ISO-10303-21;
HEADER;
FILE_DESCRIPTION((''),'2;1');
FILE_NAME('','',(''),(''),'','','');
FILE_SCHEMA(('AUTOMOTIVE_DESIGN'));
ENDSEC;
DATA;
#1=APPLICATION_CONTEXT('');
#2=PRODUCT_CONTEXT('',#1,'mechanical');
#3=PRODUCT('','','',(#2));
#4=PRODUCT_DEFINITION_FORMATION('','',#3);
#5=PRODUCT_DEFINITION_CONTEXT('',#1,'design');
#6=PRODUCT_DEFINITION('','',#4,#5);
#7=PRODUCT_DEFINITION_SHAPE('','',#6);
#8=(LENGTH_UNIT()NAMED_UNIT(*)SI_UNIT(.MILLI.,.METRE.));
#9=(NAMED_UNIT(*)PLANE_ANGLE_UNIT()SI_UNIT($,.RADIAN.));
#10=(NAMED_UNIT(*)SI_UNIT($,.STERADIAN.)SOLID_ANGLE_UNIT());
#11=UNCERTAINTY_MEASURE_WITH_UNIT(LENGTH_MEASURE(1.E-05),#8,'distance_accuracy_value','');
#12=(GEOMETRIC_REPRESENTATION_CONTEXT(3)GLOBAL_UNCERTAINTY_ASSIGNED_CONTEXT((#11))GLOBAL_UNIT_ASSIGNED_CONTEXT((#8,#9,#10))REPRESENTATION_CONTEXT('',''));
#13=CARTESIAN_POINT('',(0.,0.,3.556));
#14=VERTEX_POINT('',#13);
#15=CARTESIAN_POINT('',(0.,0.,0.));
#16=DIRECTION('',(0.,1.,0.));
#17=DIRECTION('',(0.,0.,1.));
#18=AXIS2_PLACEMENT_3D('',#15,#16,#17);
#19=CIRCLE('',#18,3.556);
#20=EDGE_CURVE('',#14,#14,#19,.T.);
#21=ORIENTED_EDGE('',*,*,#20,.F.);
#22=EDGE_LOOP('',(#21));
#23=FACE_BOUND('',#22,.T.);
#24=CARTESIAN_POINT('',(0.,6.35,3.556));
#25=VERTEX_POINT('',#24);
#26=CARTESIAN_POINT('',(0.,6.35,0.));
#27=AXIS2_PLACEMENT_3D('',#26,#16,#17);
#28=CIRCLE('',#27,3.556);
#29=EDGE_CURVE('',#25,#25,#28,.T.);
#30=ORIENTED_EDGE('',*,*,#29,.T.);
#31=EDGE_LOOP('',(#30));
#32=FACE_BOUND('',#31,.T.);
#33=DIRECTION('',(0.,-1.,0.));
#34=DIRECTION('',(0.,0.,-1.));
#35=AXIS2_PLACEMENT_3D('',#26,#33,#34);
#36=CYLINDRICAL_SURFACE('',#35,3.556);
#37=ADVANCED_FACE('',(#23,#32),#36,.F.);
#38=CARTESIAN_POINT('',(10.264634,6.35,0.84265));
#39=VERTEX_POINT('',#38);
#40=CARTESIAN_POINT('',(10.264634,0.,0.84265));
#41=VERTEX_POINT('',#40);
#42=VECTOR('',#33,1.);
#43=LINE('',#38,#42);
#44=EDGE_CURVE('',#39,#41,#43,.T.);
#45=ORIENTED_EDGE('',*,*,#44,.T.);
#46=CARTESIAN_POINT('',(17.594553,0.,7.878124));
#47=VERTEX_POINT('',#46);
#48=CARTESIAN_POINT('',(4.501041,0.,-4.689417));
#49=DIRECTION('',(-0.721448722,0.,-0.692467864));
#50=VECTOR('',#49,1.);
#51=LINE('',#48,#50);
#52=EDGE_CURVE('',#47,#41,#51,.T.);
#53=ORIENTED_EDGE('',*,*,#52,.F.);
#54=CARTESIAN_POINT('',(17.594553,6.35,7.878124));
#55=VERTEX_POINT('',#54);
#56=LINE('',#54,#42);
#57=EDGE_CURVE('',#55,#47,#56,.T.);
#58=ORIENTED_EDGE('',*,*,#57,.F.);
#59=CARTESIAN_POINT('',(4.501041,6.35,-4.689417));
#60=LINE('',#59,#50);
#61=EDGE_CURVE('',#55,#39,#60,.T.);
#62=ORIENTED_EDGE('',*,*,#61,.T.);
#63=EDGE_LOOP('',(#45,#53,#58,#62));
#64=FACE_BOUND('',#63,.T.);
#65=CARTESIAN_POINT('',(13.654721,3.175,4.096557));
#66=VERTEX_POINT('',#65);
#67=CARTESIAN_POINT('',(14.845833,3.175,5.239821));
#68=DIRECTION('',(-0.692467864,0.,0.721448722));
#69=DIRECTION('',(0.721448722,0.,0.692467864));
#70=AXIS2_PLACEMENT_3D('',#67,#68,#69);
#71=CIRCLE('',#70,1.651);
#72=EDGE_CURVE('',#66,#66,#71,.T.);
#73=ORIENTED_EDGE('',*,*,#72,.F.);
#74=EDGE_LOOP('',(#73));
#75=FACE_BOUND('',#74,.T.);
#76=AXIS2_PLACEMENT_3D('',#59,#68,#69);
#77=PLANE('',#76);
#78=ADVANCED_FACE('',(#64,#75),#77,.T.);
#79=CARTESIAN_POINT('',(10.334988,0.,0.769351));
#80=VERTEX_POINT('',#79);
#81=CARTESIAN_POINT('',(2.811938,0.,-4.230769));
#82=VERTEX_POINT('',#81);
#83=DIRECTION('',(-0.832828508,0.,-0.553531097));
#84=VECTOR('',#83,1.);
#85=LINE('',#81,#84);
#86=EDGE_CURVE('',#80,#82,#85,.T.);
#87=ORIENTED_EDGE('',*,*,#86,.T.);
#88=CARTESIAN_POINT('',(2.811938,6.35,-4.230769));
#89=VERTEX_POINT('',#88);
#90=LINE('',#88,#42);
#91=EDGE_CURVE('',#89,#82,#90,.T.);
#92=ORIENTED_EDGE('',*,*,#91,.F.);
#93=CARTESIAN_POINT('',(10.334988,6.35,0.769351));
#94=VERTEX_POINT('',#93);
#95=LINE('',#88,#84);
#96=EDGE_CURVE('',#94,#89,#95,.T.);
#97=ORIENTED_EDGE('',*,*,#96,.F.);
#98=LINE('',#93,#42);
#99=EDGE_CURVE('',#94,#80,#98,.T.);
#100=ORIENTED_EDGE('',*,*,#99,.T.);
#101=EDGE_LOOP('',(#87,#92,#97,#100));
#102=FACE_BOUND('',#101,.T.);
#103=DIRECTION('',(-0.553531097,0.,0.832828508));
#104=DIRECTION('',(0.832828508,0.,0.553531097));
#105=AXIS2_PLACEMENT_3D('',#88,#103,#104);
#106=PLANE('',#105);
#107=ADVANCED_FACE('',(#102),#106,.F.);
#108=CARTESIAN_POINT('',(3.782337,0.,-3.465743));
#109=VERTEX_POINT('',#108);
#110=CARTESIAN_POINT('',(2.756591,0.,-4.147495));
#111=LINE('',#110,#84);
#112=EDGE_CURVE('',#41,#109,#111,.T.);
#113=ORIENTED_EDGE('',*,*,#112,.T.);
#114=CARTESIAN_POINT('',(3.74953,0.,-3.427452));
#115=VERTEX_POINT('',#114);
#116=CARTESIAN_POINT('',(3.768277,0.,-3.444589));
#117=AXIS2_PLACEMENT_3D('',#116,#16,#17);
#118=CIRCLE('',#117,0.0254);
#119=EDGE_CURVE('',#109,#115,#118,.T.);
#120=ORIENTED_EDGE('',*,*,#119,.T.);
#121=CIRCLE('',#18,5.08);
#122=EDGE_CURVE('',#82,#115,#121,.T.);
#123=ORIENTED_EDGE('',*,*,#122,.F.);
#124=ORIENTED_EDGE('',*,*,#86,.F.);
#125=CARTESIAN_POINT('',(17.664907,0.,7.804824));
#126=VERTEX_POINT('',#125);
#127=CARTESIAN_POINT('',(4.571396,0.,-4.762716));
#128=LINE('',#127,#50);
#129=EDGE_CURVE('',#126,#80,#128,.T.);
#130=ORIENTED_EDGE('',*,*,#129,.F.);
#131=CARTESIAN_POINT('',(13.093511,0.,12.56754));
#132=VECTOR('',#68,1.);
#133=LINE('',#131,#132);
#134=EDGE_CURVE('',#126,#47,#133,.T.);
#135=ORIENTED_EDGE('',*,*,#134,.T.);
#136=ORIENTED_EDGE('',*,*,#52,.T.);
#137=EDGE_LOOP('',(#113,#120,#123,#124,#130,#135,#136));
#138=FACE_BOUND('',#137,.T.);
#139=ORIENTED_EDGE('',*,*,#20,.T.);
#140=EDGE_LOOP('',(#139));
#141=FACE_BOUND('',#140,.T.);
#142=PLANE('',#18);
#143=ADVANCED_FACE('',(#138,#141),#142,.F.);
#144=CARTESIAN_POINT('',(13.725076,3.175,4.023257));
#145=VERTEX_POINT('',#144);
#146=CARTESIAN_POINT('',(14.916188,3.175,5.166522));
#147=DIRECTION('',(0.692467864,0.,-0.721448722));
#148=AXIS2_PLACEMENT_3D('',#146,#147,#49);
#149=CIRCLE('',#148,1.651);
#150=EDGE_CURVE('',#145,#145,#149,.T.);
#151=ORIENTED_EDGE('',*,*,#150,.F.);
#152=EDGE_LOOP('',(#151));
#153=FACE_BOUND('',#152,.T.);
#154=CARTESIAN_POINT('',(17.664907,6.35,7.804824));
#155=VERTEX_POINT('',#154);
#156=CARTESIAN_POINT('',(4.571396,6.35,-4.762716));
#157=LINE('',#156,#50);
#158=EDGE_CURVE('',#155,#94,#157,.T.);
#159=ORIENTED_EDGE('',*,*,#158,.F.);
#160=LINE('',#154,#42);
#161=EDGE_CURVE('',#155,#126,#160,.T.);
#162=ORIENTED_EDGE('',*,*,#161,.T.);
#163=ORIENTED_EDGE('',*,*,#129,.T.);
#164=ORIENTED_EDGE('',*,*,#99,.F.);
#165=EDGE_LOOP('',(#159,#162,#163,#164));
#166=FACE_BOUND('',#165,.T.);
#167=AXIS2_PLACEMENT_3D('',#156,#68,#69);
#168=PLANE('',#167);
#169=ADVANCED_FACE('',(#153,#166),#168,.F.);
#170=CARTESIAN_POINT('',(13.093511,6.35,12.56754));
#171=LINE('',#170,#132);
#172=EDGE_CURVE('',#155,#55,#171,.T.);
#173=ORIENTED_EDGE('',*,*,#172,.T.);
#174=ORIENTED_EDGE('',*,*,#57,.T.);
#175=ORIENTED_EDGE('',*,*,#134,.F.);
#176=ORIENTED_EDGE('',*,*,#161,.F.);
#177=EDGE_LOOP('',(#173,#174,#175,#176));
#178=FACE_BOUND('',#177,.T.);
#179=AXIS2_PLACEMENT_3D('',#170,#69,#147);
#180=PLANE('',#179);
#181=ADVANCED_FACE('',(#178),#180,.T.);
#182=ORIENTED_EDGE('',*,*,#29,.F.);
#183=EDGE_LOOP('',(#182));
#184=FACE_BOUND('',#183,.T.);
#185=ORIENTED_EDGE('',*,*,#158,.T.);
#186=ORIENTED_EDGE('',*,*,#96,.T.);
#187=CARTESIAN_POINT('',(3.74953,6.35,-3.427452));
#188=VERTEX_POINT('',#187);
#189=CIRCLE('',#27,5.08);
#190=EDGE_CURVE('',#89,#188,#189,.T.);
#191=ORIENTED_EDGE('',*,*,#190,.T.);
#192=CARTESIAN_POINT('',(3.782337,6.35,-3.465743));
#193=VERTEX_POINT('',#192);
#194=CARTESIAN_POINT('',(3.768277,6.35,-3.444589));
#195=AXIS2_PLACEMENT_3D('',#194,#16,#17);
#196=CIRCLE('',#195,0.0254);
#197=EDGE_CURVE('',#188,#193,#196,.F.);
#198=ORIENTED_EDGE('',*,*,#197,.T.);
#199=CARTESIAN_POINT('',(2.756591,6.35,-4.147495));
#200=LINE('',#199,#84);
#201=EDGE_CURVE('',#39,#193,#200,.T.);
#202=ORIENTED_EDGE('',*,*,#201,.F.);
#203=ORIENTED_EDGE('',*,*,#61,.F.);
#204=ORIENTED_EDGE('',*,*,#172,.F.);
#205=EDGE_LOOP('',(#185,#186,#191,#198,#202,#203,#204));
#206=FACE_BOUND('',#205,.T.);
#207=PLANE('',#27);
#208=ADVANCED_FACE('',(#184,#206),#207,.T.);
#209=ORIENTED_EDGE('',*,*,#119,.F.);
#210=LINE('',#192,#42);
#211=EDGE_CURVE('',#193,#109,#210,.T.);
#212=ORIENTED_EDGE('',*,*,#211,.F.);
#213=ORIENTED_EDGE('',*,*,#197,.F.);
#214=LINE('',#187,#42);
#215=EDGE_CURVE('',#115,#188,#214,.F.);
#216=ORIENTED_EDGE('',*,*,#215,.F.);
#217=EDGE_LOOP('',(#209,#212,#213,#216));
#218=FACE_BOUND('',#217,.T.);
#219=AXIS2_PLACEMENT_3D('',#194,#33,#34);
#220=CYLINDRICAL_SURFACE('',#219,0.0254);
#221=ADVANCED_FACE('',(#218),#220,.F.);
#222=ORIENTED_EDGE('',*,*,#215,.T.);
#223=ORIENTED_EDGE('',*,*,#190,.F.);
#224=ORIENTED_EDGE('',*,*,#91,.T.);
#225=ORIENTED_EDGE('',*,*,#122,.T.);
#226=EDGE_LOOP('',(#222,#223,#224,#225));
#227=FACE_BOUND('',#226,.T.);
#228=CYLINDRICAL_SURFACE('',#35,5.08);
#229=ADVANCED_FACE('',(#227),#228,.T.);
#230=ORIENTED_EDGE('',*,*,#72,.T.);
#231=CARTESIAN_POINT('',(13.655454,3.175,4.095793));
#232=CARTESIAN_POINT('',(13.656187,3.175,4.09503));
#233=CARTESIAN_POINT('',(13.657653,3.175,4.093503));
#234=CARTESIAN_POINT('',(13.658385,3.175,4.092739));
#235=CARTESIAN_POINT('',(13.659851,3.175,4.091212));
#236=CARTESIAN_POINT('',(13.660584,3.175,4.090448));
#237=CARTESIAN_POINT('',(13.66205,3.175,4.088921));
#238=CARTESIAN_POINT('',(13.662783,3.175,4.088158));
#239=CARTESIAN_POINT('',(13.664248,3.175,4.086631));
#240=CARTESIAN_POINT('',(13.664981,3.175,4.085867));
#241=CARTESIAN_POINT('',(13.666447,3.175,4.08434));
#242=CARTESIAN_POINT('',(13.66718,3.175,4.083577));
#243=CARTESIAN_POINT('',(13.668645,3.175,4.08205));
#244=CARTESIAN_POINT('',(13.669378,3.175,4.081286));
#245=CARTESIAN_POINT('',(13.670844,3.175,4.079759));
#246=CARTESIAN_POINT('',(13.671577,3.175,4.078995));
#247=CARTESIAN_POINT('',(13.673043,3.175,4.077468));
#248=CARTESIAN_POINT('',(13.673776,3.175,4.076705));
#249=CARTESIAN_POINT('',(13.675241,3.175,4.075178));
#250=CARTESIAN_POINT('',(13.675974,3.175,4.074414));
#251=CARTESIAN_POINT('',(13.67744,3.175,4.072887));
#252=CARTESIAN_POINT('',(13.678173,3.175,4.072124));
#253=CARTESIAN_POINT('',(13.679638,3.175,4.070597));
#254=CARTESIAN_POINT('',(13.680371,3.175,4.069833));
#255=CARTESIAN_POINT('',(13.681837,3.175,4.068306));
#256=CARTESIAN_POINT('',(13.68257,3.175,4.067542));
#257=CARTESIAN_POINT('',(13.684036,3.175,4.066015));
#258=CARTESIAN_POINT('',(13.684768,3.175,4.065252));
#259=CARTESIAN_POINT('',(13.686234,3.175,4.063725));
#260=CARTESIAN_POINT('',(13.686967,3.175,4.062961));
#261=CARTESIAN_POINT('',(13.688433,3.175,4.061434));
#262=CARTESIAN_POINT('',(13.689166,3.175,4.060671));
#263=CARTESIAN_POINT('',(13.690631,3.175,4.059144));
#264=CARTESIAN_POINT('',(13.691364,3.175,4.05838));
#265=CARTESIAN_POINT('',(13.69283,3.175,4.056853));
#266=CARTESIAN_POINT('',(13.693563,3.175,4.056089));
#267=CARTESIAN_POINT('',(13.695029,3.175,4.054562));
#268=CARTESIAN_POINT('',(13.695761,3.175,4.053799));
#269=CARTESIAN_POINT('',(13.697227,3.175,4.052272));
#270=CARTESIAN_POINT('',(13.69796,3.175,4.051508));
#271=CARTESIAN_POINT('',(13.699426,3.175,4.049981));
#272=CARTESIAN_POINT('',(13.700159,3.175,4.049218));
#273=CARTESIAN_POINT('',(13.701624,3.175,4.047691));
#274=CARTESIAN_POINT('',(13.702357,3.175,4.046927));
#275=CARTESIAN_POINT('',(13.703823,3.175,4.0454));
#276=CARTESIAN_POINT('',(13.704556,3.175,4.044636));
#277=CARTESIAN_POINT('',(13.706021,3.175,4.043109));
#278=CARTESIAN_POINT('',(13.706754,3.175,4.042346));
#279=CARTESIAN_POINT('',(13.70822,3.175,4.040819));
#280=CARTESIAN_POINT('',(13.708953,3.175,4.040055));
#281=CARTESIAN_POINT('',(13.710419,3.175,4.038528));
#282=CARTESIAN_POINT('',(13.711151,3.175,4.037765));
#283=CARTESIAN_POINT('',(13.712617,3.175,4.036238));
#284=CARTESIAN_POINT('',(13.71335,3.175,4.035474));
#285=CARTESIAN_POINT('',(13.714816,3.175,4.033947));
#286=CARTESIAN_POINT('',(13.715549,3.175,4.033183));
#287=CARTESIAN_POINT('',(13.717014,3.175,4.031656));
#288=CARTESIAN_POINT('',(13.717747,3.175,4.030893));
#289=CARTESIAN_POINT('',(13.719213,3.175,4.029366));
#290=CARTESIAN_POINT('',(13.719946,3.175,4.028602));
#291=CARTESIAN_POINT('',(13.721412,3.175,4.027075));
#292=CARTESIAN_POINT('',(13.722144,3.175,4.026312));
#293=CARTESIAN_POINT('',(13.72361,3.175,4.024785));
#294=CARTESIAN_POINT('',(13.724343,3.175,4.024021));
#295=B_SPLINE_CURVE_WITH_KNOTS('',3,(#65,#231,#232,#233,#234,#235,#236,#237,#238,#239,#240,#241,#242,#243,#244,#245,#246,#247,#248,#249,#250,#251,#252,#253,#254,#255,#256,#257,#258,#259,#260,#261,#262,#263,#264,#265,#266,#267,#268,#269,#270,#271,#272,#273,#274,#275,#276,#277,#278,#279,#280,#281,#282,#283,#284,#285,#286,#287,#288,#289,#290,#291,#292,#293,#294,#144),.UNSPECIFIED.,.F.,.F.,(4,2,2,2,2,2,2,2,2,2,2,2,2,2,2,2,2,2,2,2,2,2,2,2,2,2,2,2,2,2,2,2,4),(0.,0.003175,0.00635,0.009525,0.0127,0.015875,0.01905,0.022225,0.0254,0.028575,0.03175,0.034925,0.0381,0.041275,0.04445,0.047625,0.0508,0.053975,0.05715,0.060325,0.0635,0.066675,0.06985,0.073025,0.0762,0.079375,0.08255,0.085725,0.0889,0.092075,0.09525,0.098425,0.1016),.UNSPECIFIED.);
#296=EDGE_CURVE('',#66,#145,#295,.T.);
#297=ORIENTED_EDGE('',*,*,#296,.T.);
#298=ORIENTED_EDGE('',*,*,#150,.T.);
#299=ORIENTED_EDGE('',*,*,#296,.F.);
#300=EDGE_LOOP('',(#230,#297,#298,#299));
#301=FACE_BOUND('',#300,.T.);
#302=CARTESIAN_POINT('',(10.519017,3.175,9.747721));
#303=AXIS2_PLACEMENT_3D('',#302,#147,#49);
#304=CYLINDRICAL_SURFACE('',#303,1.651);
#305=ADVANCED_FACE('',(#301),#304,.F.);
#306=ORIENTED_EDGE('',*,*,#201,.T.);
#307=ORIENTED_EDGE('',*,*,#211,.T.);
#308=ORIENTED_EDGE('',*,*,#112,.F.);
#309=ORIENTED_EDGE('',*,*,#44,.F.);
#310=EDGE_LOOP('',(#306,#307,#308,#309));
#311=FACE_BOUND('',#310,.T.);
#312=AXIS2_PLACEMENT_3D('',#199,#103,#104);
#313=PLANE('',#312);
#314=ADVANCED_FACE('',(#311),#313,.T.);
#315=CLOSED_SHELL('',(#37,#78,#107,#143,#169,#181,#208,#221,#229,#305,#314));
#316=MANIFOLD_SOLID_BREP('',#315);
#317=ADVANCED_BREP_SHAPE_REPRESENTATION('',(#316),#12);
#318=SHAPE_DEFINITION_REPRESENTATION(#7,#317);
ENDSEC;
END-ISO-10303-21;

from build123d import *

# Parameters (mm, degrees)
SKETCH1_R           = 3.556
BOSS_EXTRUDE1_DEPTH = 6.35
SKETCH2_R           = 1.651
CUT_EXTRUDE1_DEPTH  = 6.35
FILLET1_R           = 0.0254


with BuildPart() as part:
    # Sketch1 → Boss-Extrude1 (new body)
    with BuildSketch(Plane(origin=(0, 0, 0), x_dir=(1, 0, 0), z_dir=(0, 1, 0))):
        with BuildLine():
            Line((17.664907311, -7.804824457), (10.3349883, -0.769350962))
            Line((10.3349883, -0.769350962), (2.811937974, 4.230768822))
            ThreePointArc((2.811937974, 4.230768822), (-3.21777664, -3.93094308), (3.5918694, 3.592335482))
            Line((3.5918694, 3.592335482), (10.264633565, -0.842650153))
            Line((10.264633565, -0.842650153), (17.594552576, -7.878123647))
            Line((17.594552576, -7.878123647), (17.664907311, -7.804824457))
        make_face()
        Circle(SKETCH1_R, mode=Mode.SUBTRACT)
    extrude(amount=BOSS_EXTRUDE1_DEPTH)

    # Sketch2 → Cut-Extrude1 (cut)
    with BuildSketch(Plane(origin=(3.836508416, 0, -5.468082617), x_dir=(-0.7214487215857361, 0, -0.6924678636025697), z_dir=(0.6924678636025697, 0, -0.7214487215857361))):
        with Locations((-15.35754231, 3.175)):
            Circle(SKETCH2_R)
    extrude(amount=-CUT_EXTRUDE1_DEPTH, mode=Mode.SUBTRACT)

    # Fillet1
    fillet1_edges = [part.edges().sort_by_distance(p)[0] for p in [
        (3.5918694, 3.175, -3.592335482),
    ]]
    fillet(fillet1_edges, radius=FILLET1_R)


solid = part.part
